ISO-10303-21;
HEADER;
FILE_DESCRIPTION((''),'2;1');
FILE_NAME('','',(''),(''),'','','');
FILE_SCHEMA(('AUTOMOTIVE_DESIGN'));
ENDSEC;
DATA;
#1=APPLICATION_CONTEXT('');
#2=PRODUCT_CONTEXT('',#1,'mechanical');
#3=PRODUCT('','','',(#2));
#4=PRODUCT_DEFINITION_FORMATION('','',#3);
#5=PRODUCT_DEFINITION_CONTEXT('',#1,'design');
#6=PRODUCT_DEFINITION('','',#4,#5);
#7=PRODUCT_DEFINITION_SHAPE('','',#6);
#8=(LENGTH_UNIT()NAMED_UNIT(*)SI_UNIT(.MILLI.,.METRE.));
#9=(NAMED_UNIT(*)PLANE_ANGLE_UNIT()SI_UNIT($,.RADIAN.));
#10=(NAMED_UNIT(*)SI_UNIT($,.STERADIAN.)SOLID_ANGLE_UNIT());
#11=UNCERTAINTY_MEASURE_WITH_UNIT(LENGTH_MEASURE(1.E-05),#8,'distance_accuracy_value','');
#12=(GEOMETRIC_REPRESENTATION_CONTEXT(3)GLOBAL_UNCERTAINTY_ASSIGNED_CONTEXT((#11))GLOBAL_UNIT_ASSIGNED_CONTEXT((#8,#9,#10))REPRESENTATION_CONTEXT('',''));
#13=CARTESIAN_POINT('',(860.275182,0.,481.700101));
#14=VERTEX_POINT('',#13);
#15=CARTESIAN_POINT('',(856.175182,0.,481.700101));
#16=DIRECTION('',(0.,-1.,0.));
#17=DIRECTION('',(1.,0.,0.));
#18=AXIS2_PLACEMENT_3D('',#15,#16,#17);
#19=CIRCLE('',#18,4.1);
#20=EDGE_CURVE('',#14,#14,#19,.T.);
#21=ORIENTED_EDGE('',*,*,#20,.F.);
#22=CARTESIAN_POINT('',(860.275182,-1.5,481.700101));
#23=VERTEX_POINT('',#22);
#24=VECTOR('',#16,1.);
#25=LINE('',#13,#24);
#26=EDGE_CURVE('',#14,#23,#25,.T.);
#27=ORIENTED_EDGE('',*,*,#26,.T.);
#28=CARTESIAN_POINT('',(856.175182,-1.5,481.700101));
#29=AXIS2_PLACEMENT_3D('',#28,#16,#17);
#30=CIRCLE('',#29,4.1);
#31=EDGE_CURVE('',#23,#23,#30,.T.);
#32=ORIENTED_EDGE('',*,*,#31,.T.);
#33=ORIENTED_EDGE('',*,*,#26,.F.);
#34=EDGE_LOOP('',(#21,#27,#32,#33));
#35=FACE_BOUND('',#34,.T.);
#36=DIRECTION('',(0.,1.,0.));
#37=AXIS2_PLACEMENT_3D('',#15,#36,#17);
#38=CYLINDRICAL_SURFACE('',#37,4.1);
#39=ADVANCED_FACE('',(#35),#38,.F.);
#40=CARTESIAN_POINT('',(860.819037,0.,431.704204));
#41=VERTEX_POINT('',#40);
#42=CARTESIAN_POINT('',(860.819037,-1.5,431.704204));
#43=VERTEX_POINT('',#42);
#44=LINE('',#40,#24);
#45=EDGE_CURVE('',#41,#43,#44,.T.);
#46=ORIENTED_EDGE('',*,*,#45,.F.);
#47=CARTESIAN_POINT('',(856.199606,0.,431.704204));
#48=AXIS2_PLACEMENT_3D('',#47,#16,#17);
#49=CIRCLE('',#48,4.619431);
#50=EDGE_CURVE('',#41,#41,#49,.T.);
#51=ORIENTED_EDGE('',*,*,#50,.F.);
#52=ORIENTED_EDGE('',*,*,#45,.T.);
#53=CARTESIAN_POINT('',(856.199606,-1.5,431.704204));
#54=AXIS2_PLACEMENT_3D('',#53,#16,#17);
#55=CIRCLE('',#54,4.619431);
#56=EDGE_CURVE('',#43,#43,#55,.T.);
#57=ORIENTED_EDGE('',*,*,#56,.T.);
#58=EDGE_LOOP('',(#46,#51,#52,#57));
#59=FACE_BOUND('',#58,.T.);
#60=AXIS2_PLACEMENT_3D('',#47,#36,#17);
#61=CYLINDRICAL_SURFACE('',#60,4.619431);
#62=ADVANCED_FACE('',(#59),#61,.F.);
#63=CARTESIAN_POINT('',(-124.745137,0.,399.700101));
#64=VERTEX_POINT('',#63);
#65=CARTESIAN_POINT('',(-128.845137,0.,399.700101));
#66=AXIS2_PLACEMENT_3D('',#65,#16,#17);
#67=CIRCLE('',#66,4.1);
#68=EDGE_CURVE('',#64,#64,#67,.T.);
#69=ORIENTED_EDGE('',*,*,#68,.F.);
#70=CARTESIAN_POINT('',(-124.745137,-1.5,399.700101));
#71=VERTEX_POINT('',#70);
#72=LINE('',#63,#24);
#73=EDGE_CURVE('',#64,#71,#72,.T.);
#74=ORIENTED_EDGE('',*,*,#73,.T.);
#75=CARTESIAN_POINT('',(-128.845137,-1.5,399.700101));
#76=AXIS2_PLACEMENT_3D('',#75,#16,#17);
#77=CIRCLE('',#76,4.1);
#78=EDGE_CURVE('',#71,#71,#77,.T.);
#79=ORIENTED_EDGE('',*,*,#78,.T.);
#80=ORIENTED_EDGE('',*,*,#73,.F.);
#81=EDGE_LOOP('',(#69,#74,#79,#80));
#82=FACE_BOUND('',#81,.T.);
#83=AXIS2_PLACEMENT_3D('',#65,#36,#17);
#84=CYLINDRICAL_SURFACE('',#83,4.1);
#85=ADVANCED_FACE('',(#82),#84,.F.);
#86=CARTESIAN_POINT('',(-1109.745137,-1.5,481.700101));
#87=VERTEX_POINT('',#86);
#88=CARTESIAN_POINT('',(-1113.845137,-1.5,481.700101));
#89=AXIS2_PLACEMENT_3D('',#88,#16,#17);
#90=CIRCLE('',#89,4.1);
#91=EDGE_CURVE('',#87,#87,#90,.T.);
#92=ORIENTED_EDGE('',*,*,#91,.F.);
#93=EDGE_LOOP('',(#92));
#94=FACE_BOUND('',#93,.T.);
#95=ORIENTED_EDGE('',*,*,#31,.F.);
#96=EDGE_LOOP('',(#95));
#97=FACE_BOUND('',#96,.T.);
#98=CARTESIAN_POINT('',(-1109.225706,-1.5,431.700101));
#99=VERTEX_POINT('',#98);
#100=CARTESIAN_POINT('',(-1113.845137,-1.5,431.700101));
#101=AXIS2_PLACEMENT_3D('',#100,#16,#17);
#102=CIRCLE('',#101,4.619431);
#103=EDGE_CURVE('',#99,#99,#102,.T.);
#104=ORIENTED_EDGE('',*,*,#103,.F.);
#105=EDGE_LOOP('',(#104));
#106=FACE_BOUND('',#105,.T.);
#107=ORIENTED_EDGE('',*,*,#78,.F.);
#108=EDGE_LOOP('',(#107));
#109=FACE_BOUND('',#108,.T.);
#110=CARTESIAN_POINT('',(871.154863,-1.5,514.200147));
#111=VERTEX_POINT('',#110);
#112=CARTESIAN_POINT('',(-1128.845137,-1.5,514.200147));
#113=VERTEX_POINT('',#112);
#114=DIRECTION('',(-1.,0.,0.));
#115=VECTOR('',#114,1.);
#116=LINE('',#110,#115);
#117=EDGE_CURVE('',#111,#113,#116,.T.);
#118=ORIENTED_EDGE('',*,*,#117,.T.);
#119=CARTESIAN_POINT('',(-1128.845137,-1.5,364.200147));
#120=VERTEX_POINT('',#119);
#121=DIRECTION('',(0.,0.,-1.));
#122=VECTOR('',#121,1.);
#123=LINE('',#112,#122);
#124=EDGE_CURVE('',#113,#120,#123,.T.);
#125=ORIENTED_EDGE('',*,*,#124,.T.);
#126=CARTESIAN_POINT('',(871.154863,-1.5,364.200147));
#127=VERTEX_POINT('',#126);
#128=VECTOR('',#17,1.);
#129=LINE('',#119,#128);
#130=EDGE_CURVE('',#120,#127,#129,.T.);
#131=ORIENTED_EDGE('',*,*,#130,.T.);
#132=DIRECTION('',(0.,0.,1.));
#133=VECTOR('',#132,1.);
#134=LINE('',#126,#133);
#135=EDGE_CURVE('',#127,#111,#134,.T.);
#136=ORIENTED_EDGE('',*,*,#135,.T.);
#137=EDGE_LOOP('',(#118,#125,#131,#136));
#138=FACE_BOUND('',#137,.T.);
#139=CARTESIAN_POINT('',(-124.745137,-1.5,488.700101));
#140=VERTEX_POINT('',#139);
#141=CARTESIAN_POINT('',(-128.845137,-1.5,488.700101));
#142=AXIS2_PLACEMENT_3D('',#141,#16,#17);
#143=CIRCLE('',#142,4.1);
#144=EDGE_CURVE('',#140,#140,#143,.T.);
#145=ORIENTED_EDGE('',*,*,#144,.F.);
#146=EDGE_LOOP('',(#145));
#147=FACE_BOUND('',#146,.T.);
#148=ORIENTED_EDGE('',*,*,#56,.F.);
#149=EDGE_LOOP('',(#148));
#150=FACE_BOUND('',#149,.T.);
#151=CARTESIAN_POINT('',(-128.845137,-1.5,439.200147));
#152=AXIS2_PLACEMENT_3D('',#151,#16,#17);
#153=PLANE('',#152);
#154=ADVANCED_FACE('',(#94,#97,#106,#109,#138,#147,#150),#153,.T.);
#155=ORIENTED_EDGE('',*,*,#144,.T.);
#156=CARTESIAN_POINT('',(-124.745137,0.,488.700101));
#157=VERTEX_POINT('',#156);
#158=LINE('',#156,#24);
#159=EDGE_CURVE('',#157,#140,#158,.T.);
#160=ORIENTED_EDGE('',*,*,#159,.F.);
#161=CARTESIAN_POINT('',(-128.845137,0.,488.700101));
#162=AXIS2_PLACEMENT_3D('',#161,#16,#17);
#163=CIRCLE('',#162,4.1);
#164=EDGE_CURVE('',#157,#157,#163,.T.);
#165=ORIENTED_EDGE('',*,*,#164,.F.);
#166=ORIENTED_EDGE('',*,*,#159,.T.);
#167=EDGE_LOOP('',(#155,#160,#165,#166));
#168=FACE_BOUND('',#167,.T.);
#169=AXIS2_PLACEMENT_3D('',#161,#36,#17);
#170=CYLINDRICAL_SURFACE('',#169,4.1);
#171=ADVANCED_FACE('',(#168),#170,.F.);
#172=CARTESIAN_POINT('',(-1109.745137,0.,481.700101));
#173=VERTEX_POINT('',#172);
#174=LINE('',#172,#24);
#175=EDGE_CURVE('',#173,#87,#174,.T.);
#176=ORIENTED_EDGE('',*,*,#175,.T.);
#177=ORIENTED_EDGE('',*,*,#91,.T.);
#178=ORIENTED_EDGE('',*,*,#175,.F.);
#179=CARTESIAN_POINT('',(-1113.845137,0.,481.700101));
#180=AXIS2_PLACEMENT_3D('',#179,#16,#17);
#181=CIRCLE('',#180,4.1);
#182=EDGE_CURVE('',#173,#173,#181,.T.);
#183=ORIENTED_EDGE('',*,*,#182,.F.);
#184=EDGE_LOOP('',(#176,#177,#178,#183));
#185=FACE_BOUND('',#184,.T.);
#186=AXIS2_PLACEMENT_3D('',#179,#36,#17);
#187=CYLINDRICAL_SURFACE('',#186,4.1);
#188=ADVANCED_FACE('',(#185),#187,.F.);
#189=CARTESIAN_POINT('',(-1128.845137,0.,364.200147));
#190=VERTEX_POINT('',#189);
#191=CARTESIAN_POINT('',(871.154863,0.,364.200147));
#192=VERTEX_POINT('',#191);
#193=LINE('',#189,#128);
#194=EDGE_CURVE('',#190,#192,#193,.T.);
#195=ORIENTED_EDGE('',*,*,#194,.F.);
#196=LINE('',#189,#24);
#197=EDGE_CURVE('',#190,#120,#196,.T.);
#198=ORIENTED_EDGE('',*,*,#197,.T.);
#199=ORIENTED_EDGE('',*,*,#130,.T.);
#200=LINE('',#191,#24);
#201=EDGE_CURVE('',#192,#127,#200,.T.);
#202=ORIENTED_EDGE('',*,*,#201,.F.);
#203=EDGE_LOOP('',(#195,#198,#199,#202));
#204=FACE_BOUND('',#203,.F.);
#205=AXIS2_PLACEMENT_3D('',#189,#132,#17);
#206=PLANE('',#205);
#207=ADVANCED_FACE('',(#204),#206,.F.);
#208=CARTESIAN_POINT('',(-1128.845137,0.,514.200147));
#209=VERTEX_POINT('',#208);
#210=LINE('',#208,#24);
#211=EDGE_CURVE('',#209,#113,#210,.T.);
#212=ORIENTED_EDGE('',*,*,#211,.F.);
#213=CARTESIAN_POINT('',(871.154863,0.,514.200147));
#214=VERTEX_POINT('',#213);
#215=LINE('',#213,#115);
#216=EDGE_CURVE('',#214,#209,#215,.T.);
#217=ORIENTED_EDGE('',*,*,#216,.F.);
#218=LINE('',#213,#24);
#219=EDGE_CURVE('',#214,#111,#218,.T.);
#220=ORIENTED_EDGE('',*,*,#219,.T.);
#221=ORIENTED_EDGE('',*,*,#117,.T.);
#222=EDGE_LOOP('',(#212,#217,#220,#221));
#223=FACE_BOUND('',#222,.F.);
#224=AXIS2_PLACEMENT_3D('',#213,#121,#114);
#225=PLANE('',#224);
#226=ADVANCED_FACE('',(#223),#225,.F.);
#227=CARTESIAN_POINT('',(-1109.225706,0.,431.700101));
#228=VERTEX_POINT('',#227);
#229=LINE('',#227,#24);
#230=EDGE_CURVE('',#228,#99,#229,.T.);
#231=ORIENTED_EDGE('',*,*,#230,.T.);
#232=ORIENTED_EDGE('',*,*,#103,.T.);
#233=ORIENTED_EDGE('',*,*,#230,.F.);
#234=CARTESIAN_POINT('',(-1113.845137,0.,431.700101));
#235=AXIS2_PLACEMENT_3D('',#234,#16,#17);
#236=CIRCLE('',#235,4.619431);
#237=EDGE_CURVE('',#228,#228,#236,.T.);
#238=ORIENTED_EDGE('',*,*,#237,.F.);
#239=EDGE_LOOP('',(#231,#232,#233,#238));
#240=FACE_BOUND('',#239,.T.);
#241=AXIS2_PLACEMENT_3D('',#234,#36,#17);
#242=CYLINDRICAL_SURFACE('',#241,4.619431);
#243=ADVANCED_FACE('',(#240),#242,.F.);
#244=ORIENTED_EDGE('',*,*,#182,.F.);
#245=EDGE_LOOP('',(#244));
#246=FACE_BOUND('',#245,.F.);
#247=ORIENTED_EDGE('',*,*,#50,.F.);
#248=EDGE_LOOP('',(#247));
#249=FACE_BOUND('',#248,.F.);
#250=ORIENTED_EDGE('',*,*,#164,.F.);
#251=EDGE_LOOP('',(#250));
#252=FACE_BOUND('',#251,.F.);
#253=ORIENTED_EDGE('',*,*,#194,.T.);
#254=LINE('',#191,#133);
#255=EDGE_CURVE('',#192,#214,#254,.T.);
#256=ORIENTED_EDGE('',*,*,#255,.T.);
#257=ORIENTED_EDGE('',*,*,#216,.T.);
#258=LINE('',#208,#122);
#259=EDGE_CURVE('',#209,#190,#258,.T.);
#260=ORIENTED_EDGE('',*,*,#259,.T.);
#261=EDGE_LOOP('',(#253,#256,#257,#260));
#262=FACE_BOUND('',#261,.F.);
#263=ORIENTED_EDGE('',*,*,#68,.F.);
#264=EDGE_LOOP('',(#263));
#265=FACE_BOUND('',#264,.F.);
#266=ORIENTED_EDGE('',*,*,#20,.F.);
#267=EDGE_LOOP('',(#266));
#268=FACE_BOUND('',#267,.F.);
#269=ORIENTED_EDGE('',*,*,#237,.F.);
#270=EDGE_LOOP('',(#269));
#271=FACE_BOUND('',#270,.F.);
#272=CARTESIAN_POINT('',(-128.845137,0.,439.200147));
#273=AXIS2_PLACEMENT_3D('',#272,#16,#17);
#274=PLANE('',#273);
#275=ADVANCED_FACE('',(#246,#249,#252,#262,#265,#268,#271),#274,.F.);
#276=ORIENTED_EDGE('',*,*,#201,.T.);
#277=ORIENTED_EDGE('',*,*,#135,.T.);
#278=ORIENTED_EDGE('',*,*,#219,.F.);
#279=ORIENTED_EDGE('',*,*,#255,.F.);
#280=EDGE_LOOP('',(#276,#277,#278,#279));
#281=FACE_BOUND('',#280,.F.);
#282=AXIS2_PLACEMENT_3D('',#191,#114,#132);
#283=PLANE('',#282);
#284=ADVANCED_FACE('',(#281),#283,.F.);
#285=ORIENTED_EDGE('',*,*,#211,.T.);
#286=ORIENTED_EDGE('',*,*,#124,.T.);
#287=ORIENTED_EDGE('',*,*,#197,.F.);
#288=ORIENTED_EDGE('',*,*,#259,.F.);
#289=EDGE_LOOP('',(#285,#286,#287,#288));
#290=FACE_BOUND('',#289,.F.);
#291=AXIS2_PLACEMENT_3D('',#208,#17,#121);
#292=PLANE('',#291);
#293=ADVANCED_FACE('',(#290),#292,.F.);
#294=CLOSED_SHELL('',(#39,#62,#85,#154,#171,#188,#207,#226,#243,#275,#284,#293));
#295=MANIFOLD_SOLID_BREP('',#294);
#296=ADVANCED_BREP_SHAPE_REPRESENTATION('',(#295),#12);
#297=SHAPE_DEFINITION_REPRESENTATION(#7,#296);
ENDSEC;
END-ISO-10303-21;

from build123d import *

# Parameters (mm, degrees)
F0_R     = 4.619431
F0_R_2   = 4.1
F1_DEPTH = 1.5


with BuildPart() as f1:
    # F0 (on Front) → F1 (new body)
    with BuildSketch(Plane.XZ):
        Polygon((871.154863, 514.200147), (-1128.845137, 514.200147), (-1128.845137, 489.044532), (-1128.845137, 364.200147), (871.154863, 364.200147), align=None)
        with Locations((-1113.845137, 431.700101)):
            Circle(F0_R, mode=Mode.SUBTRACT)
        with Locations((-128.845137, 399.700101)):
            Circle(F0_R_2, mode=Mode.SUBTRACT)
        with Locations((856.199606, 431.704204)):
            Circle(F0_R, mode=Mode.SUBTRACT)
        with Locations((-1113.845137, 481.700101)):
            Circle(F0_R_2, mode=Mode.SUBTRACT)
        with Locations((-128.845137, 488.700101)):
            Circle(F0_R_2, mode=Mode.SUBTRACT)
        with Locations((856.175182, 481.700101)):
            Circle(F0_R_2, mode=Mode.SUBTRACT)
    extrude(amount=F1_DEPTH)


solid = f1.part
